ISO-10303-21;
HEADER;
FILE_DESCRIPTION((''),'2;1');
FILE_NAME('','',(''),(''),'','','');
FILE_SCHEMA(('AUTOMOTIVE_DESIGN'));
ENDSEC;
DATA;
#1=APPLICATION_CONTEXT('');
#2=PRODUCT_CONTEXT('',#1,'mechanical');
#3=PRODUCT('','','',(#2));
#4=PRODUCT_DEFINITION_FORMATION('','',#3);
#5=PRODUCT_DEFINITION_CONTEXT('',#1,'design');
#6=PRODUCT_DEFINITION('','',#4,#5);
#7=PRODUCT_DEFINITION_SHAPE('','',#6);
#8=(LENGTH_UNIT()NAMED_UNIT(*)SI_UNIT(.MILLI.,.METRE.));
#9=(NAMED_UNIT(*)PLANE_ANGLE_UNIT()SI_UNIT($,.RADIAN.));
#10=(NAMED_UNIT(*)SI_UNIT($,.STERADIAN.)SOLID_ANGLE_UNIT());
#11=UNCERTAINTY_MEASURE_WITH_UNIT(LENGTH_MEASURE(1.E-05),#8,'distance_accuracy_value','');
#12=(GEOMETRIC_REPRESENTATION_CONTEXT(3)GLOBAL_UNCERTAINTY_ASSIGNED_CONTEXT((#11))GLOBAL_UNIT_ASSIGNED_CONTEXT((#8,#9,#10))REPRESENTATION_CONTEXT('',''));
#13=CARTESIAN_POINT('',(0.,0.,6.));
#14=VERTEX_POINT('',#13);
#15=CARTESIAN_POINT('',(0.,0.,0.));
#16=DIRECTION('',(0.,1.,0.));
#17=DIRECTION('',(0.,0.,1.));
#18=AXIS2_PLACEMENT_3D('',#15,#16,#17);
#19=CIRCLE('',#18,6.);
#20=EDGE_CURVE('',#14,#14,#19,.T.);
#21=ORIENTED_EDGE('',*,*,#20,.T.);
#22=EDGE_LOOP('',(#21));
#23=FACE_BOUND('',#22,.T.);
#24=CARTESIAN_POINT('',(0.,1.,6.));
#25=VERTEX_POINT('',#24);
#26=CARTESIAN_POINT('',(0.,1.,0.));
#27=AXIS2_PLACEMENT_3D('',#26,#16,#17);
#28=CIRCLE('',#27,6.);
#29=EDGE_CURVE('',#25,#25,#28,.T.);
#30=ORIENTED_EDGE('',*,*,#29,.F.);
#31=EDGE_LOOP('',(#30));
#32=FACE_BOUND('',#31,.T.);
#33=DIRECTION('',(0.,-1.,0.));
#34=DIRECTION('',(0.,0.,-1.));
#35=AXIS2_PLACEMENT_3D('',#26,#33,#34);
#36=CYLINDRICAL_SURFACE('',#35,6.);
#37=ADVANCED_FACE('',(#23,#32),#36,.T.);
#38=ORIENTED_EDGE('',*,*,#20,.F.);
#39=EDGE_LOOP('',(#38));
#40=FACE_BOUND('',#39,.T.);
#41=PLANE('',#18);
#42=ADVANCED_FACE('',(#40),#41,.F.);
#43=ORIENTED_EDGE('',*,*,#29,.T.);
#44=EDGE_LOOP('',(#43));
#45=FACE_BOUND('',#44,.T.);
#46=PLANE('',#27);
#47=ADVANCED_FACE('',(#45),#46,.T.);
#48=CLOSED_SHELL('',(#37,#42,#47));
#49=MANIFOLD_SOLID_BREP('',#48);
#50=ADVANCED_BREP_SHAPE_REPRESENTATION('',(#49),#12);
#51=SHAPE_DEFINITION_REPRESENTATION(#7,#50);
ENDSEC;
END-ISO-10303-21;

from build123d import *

# Parameters (mm, degrees)
SKETCH1_R           = 6
BOSS_EXTRUDE1_DEPTH = 1


with BuildPart() as part:
    # Sketch1 → Boss-Extrude1 (new body)
    with BuildSketch(Plane(origin=(0, 0, 0), x_dir=(1, 0, 0), z_dir=(0, 1, 0))):
        Circle(SKETCH1_R)
    extrude(amount=BOSS_EXTRUDE1_DEPTH)


solid = part.part
